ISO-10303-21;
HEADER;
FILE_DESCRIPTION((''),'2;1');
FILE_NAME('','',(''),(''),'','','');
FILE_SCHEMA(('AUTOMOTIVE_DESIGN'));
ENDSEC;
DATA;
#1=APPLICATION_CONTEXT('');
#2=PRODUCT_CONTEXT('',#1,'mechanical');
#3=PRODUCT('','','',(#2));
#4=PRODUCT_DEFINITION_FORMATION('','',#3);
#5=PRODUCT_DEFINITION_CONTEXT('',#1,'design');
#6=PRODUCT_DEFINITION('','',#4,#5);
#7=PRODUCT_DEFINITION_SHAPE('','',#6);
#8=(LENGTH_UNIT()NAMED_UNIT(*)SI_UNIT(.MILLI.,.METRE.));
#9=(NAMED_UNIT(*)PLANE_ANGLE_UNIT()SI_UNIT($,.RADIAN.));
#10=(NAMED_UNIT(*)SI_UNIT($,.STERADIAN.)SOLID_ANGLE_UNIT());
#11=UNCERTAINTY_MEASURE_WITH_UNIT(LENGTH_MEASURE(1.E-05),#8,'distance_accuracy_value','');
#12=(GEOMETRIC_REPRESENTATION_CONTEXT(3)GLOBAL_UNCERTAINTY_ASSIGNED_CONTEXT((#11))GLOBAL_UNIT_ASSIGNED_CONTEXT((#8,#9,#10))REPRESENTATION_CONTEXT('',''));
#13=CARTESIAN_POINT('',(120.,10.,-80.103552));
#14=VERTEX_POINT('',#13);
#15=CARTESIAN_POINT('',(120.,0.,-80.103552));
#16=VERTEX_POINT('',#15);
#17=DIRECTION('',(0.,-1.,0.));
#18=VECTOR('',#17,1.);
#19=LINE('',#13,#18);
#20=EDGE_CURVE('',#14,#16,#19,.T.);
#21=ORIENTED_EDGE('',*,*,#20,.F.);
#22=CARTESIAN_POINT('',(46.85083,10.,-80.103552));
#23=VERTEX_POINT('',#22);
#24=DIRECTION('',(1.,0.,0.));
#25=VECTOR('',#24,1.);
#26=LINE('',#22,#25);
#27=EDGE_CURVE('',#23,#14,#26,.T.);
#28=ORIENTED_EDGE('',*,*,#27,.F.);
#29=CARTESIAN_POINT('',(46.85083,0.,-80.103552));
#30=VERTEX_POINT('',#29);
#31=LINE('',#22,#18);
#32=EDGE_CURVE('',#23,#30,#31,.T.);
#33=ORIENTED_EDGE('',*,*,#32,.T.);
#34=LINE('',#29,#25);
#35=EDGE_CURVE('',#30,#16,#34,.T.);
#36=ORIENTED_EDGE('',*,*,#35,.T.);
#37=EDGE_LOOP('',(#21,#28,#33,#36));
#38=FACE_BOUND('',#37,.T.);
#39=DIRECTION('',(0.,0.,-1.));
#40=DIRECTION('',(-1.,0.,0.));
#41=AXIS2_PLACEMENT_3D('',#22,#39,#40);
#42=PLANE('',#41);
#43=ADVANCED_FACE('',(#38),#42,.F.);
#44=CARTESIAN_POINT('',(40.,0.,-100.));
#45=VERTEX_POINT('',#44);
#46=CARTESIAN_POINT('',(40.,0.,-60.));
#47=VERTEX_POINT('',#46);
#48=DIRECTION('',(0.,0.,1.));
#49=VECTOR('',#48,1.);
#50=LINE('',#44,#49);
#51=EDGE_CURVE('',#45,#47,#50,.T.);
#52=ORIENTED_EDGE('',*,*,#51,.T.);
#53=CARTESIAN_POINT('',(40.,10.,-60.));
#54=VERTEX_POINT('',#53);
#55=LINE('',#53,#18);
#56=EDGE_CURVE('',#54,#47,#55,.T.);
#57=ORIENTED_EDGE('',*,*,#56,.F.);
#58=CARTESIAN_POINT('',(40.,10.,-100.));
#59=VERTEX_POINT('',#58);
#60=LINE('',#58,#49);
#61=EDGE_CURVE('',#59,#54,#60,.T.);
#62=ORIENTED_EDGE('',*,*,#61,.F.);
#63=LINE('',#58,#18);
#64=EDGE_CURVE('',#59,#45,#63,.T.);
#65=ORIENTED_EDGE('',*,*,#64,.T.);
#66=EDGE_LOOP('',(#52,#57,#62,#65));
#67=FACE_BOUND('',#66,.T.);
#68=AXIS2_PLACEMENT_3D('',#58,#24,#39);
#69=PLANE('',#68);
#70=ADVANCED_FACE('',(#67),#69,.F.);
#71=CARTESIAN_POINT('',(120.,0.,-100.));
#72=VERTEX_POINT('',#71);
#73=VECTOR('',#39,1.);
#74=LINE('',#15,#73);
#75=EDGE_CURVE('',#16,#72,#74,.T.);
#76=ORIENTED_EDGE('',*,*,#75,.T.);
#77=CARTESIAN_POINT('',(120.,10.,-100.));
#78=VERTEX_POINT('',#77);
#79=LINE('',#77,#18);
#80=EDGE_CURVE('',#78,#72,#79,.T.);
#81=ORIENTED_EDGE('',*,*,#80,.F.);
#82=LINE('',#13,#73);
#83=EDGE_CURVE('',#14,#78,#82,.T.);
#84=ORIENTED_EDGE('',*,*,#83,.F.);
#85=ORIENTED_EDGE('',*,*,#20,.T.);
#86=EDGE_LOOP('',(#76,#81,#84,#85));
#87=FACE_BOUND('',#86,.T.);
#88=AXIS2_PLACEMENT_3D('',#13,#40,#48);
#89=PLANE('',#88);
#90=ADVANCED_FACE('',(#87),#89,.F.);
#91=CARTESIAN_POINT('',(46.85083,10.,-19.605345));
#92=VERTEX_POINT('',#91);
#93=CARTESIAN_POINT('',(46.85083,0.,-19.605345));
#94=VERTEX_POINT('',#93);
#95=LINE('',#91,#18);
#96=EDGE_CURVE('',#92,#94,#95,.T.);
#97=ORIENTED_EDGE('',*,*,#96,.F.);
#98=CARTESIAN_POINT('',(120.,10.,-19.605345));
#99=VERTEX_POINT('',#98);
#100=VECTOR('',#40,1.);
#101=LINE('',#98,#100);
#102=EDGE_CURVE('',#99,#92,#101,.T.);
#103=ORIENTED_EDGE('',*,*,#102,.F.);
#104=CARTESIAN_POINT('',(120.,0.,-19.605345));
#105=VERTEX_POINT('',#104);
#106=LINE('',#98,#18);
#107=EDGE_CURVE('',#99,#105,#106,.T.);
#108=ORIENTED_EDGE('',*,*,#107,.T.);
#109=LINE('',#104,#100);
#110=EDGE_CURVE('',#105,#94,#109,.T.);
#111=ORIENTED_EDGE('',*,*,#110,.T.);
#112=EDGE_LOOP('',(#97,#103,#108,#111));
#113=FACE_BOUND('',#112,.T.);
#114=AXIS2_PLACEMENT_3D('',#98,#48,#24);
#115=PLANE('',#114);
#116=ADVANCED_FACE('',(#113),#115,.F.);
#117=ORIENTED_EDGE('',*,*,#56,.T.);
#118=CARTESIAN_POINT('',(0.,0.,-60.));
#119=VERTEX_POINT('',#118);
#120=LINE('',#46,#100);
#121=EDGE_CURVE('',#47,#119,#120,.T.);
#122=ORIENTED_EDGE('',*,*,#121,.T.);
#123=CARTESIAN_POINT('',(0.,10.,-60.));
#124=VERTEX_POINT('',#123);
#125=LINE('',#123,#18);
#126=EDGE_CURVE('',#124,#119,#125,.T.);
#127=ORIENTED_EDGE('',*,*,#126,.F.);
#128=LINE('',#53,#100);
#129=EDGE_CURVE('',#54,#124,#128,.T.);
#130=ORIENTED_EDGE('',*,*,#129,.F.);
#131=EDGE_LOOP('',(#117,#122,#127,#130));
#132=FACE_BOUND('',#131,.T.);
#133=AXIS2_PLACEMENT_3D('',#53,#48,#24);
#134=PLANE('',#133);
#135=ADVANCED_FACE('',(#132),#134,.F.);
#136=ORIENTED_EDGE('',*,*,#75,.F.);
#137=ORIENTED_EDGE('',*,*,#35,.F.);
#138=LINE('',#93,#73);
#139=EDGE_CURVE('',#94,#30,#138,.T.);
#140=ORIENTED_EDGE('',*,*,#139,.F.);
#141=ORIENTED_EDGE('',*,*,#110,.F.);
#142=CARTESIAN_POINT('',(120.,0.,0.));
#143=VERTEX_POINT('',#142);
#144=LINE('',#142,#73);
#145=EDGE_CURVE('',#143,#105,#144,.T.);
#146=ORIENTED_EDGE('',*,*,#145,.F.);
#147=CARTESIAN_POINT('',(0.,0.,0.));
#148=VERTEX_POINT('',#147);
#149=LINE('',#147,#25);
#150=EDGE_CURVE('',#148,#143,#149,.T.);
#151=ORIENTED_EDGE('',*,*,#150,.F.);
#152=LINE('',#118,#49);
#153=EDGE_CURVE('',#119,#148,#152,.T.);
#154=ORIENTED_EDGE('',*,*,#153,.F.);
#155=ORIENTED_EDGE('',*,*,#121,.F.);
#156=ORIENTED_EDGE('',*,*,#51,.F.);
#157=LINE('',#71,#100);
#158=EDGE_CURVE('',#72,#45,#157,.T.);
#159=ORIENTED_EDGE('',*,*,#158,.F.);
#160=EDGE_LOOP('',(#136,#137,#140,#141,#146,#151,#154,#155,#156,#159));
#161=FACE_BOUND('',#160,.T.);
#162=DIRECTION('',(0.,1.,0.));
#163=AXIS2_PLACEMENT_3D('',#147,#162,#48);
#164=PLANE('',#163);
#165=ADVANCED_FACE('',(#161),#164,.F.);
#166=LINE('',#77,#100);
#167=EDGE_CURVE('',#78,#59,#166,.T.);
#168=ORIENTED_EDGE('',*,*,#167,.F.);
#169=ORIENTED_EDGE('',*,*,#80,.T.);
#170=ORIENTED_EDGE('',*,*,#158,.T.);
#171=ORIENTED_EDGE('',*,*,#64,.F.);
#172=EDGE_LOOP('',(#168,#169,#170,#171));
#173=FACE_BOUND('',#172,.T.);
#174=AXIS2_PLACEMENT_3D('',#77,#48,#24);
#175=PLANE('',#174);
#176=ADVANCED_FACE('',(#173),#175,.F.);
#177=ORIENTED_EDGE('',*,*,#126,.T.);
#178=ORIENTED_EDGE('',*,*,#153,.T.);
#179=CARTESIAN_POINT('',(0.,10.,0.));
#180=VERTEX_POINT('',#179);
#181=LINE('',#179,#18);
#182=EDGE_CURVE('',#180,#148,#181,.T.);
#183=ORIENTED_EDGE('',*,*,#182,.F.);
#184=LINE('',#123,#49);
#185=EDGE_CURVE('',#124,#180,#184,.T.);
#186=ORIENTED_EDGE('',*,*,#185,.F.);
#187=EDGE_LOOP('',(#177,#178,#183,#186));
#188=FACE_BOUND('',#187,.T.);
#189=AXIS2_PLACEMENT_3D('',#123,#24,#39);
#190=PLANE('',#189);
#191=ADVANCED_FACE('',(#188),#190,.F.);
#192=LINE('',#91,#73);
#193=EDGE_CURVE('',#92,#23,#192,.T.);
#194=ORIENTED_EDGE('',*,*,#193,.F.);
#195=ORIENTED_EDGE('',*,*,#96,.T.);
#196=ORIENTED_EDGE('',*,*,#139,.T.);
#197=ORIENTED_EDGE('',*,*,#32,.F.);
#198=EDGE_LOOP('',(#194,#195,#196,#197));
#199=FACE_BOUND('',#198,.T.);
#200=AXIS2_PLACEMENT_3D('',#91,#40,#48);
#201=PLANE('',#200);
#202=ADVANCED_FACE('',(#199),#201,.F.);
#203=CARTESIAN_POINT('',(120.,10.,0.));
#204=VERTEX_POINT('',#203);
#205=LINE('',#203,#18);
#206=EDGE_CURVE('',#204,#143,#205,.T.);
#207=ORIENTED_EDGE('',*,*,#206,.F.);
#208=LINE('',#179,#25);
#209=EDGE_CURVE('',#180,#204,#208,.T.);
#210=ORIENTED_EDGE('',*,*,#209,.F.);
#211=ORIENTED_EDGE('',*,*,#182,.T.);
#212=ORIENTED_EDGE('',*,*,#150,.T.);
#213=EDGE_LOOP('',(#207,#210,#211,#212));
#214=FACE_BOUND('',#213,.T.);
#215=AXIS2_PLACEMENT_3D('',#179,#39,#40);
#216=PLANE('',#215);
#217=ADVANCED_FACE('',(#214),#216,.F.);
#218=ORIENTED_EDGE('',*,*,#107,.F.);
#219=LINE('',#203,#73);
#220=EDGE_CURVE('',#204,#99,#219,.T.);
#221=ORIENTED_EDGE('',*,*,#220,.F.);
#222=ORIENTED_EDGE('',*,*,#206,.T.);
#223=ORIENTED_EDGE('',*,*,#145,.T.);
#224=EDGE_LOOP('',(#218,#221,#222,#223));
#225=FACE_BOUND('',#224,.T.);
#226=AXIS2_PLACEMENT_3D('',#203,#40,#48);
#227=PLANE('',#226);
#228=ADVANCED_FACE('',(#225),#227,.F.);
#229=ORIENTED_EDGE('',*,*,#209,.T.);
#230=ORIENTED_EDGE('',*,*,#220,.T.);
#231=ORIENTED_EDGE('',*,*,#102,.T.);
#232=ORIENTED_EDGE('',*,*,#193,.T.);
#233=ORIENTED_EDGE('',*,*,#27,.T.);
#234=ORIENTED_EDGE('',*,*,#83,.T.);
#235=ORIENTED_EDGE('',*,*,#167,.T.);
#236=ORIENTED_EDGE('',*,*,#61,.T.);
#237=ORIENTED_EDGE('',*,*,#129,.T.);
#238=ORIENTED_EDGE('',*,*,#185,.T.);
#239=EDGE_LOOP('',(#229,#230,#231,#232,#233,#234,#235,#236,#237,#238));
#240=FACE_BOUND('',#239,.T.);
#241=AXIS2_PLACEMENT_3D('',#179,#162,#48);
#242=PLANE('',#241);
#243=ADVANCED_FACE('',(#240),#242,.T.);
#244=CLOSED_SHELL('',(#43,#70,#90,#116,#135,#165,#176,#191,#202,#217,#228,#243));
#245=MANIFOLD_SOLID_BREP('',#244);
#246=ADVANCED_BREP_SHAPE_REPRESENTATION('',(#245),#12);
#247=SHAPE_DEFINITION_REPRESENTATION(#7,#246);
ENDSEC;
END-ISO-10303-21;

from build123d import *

# Parameters (mm, degrees)
EXTRUDE_1_DEPTH = 10


with BuildPart() as part:
    # Эскиз1 → Бобышка-Вытянуть1 (new body)
    with BuildSketch(Plane(origin=(0, 0, 0), x_dir=(1, 0, 0), z_dir=(0, 1, 0))):
        Polygon((0, 0), (120, 0), (120, 19.605344545), (46.85083046, 19.605344545), (46.85083046, 80.103552046), (120, 80.103552046), (120, 100), (40, 100), (40, 60), (0, 60), align=None)
    extrude(amount=EXTRUDE_1_DEPTH)


solid = part.part
